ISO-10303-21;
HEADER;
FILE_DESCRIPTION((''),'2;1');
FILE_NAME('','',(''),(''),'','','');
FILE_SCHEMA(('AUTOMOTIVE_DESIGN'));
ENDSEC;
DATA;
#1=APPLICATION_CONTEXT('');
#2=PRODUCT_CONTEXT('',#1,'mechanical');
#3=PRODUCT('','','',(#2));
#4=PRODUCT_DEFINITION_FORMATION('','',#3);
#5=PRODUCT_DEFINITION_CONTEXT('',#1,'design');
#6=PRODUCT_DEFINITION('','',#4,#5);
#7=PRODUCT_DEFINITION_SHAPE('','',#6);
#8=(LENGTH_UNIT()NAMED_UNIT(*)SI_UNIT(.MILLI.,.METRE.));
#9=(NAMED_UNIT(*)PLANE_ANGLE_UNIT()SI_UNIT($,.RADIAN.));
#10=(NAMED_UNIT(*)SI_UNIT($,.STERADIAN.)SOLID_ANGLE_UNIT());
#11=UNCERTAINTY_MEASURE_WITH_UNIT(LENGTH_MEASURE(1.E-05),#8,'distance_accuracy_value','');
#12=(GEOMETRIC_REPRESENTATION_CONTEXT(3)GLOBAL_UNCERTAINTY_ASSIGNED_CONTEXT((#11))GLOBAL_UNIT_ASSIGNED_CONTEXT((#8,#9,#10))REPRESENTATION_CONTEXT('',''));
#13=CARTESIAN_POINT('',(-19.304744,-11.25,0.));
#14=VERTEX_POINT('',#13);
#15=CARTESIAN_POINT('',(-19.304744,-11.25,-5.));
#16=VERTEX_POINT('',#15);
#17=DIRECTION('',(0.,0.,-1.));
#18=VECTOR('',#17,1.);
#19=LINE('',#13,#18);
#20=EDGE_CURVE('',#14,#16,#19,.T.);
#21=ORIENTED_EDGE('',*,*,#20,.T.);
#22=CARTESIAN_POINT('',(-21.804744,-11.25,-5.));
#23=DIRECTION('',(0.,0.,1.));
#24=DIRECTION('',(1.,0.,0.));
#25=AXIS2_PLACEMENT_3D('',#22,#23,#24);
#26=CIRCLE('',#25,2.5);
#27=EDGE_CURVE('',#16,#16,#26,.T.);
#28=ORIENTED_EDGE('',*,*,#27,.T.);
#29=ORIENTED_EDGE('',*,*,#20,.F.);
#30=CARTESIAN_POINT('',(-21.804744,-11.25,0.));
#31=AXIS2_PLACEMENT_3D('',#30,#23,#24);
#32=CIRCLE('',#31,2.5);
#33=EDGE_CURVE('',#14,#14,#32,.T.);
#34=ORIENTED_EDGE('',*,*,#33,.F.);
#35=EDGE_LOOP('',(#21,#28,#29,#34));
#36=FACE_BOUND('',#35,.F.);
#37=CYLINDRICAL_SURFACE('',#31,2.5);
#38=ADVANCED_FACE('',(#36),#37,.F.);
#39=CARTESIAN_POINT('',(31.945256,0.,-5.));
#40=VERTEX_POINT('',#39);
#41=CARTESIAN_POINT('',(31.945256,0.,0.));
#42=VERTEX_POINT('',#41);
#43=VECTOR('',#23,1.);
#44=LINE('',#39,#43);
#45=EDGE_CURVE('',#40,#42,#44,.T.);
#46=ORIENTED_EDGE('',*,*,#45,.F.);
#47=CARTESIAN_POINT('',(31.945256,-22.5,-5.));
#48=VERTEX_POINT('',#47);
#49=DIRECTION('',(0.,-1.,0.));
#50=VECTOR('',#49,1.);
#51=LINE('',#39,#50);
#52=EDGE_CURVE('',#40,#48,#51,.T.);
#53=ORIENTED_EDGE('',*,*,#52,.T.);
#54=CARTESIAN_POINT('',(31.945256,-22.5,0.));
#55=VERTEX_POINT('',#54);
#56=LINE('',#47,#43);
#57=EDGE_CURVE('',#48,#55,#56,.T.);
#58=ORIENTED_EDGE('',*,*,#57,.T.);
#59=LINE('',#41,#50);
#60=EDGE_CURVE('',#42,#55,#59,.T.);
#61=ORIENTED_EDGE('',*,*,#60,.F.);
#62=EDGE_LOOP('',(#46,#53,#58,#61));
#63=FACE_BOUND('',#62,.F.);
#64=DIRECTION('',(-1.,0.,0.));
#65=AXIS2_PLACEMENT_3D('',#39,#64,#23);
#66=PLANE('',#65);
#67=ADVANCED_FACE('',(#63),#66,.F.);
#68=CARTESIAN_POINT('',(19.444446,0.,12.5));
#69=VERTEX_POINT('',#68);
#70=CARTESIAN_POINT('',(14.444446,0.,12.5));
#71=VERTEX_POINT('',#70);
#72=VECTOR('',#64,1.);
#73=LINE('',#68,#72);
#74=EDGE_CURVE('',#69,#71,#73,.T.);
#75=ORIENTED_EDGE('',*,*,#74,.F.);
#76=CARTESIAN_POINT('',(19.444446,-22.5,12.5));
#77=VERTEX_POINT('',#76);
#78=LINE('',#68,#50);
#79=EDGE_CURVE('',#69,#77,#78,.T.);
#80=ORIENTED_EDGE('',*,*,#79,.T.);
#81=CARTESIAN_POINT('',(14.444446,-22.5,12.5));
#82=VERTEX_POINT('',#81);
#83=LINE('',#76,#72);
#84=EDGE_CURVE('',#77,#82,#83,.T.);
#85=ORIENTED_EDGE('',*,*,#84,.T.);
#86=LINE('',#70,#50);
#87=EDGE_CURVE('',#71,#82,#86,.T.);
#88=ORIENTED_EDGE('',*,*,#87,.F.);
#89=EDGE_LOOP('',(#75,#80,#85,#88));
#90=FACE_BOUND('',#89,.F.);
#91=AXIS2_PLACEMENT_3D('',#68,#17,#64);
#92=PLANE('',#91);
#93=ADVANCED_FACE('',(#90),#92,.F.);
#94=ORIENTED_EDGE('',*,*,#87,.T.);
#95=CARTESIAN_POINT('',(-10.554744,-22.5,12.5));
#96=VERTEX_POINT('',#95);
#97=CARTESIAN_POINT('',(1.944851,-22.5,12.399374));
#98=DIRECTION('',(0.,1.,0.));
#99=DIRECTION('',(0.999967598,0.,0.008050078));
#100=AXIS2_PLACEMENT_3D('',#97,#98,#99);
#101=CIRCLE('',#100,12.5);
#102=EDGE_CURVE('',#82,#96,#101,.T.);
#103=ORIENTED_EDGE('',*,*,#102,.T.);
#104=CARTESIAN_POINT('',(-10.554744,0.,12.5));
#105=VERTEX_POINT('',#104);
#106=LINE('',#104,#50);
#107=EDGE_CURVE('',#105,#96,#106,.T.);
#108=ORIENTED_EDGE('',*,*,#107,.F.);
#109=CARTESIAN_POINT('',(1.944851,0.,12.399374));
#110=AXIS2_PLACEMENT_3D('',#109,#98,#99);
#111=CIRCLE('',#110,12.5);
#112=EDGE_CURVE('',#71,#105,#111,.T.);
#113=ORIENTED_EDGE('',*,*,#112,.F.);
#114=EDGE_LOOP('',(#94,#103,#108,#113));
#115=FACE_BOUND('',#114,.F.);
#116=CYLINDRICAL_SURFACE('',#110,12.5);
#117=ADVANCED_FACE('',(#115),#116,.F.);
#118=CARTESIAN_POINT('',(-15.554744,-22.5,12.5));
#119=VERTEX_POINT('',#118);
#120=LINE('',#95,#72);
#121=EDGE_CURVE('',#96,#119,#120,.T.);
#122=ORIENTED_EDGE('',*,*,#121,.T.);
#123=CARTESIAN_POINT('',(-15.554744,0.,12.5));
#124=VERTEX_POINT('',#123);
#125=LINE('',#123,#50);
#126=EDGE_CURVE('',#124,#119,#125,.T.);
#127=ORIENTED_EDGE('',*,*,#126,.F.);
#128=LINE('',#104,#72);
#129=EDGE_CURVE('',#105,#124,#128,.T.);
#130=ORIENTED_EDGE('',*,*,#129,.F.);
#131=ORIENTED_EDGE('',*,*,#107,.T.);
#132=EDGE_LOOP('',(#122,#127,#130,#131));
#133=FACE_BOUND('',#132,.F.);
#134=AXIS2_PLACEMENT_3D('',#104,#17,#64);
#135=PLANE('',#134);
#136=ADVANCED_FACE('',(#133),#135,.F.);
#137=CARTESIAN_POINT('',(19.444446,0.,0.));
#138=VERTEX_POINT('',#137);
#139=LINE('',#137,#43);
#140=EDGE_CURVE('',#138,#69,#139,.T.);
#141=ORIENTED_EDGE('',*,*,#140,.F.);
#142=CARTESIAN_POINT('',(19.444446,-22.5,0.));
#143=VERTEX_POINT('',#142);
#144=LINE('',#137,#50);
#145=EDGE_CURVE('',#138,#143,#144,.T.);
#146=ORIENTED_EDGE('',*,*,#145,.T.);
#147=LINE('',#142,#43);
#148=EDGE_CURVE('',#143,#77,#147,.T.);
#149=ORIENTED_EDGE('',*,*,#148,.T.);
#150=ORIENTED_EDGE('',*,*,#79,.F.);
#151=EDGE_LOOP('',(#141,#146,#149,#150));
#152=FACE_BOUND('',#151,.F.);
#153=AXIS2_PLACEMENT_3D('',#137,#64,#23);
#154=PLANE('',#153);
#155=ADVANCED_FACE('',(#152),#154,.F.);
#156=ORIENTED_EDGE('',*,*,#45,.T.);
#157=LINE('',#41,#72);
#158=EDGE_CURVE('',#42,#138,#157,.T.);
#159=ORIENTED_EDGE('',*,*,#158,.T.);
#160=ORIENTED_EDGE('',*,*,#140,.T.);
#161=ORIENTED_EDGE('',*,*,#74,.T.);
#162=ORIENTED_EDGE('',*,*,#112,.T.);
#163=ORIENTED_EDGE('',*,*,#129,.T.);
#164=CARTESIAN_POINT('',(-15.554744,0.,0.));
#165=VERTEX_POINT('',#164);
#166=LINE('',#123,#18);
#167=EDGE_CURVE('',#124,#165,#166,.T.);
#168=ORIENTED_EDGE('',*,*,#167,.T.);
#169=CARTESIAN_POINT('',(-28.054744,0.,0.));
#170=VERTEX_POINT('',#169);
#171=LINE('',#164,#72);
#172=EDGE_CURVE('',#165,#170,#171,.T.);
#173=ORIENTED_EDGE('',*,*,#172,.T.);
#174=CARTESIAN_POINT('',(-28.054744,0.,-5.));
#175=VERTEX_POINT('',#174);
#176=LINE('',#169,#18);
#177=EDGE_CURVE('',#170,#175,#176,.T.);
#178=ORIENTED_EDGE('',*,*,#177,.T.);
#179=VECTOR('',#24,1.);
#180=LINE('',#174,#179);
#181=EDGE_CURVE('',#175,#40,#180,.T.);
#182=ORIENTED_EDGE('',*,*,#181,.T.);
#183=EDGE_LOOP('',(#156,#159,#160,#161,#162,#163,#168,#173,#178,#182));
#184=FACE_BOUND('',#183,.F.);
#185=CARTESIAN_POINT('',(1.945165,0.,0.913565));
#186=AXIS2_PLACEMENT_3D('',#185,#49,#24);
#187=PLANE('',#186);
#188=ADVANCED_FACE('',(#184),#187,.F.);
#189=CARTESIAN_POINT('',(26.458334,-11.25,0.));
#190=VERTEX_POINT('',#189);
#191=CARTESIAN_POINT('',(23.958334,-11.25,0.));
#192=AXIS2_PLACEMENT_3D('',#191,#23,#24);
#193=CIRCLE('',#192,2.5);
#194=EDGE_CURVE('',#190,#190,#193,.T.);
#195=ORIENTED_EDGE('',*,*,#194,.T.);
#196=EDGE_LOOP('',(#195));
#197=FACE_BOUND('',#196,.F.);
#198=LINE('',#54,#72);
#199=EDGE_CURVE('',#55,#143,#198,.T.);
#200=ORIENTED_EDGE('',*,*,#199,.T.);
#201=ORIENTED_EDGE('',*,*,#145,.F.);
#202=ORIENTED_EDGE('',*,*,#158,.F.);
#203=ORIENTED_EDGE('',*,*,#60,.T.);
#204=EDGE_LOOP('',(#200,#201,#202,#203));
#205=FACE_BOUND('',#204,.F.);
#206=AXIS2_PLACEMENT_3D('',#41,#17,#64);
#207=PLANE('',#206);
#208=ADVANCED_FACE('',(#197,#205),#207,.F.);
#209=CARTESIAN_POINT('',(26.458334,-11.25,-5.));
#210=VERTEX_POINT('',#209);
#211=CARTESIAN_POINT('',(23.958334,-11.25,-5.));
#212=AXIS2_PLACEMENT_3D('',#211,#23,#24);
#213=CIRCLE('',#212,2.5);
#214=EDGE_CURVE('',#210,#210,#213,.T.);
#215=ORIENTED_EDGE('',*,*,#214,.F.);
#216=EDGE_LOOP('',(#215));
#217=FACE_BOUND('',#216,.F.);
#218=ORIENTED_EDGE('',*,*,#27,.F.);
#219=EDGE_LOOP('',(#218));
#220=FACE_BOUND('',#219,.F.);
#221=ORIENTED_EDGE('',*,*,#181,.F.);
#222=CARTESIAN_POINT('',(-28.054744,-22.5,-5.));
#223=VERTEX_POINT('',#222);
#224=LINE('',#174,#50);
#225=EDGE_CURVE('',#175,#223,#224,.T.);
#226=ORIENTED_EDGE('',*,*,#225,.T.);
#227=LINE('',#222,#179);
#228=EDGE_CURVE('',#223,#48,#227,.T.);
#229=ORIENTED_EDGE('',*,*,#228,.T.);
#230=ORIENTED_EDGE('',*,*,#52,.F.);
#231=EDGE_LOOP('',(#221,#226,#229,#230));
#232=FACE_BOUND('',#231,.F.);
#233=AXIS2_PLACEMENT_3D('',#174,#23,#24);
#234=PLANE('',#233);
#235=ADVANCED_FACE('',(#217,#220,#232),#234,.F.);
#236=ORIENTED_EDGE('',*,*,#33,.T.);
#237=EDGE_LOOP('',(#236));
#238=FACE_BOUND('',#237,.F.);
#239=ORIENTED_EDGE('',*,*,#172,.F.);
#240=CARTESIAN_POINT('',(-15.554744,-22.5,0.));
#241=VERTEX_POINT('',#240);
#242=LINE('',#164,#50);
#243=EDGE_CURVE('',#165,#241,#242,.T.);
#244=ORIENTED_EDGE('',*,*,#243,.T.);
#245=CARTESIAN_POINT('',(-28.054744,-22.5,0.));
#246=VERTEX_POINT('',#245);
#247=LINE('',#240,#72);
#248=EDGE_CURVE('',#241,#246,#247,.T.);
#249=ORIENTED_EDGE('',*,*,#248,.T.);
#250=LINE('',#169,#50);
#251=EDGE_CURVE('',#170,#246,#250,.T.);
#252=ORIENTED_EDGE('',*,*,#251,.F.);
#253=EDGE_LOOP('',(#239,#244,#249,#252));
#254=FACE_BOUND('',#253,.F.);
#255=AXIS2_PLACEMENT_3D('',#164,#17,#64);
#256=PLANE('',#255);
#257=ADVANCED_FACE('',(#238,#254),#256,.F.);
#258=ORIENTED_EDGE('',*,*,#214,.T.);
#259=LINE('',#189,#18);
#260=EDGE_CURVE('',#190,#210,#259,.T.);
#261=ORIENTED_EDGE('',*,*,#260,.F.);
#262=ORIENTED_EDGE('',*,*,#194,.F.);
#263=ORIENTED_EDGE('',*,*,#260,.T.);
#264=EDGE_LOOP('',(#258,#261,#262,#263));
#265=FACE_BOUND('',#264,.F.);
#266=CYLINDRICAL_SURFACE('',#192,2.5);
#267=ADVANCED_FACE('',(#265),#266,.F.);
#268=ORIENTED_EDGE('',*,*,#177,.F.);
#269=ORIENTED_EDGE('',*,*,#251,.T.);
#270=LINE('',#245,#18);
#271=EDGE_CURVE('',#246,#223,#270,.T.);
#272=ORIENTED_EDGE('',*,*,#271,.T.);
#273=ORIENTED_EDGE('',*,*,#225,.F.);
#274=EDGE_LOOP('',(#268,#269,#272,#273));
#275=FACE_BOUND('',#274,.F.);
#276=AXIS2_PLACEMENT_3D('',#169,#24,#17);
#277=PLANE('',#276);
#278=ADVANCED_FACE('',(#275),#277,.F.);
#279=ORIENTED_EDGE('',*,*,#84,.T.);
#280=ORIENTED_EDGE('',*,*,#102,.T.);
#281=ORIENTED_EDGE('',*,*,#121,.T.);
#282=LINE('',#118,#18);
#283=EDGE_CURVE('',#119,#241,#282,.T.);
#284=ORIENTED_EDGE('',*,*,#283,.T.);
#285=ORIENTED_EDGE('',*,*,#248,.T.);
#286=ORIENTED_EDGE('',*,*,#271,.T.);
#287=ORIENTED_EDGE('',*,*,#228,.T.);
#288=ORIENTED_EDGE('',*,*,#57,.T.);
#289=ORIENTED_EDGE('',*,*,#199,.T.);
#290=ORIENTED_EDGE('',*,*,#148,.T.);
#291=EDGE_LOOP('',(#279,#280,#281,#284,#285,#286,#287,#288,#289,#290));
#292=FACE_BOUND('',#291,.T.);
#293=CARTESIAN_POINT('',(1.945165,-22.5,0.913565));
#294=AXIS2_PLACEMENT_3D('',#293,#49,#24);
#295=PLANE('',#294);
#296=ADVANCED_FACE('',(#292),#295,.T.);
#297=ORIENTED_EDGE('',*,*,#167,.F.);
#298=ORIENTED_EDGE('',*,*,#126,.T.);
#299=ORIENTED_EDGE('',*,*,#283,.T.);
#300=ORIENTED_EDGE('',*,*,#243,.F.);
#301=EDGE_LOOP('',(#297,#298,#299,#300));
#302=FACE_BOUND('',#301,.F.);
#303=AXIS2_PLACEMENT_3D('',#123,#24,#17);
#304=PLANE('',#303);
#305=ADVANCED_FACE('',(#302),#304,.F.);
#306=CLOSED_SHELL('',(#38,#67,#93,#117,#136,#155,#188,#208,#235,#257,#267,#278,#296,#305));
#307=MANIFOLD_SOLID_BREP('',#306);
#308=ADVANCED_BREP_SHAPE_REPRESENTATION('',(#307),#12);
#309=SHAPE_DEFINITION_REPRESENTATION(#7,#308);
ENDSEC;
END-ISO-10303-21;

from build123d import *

# Parameters (mm, degrees)
F1_DEPTH = 22.5
F2_R     = 2.5
F3_DEPTH = 5.001
F4_R     = 2.5
F5_DEPTH = 25


with BuildPart() as f1:
    # F0 (on Front) → F1 (new body)
    with BuildSketch(Plane.XZ):
        with BuildLine():
            Line((-28.054744, -5), (31.945256, -5))
            Line((31.945256, -5), (31.945256, 0))
            Line((31.945256, 0), (19.444446, 0))
            Line((19.444446, 0), (19.444446, 12.5))
            Line((19.444446, 12.5), (14.444446, 12.5))
            ThreePointArc((14.444446, 12.5), (1.944851, -0.100626), (-10.554744, 12.5))
            Line((-10.554744, 12.5), (-15.554744, 12.5))
            Line((-15.554744, 12.5), (-15.554744, 0))
            Line((-15.554744, 0), (-28.054744, 0))
            Line((-28.054744, 0), (-28.054744, -5))
        make_face()
    extrude(amount=F1_DEPTH)

    # F2 (on face) → F3 (cut, through all)
    with BuildSketch(Plane.XY):
        with Locations((23.958334, -11.25)):
            Circle(F2_R)
    extrude(amount=-F3_DEPTH, mode=Mode.SUBTRACT)

    # F4 (on face) → F5 (cut)
    with BuildSketch(Plane.XY):
        with Locations((-21.804744, -11.25)):
            Circle(F4_R)
    extrude(amount=-F5_DEPTH, mode=Mode.SUBTRACT)


solid = f1.part
